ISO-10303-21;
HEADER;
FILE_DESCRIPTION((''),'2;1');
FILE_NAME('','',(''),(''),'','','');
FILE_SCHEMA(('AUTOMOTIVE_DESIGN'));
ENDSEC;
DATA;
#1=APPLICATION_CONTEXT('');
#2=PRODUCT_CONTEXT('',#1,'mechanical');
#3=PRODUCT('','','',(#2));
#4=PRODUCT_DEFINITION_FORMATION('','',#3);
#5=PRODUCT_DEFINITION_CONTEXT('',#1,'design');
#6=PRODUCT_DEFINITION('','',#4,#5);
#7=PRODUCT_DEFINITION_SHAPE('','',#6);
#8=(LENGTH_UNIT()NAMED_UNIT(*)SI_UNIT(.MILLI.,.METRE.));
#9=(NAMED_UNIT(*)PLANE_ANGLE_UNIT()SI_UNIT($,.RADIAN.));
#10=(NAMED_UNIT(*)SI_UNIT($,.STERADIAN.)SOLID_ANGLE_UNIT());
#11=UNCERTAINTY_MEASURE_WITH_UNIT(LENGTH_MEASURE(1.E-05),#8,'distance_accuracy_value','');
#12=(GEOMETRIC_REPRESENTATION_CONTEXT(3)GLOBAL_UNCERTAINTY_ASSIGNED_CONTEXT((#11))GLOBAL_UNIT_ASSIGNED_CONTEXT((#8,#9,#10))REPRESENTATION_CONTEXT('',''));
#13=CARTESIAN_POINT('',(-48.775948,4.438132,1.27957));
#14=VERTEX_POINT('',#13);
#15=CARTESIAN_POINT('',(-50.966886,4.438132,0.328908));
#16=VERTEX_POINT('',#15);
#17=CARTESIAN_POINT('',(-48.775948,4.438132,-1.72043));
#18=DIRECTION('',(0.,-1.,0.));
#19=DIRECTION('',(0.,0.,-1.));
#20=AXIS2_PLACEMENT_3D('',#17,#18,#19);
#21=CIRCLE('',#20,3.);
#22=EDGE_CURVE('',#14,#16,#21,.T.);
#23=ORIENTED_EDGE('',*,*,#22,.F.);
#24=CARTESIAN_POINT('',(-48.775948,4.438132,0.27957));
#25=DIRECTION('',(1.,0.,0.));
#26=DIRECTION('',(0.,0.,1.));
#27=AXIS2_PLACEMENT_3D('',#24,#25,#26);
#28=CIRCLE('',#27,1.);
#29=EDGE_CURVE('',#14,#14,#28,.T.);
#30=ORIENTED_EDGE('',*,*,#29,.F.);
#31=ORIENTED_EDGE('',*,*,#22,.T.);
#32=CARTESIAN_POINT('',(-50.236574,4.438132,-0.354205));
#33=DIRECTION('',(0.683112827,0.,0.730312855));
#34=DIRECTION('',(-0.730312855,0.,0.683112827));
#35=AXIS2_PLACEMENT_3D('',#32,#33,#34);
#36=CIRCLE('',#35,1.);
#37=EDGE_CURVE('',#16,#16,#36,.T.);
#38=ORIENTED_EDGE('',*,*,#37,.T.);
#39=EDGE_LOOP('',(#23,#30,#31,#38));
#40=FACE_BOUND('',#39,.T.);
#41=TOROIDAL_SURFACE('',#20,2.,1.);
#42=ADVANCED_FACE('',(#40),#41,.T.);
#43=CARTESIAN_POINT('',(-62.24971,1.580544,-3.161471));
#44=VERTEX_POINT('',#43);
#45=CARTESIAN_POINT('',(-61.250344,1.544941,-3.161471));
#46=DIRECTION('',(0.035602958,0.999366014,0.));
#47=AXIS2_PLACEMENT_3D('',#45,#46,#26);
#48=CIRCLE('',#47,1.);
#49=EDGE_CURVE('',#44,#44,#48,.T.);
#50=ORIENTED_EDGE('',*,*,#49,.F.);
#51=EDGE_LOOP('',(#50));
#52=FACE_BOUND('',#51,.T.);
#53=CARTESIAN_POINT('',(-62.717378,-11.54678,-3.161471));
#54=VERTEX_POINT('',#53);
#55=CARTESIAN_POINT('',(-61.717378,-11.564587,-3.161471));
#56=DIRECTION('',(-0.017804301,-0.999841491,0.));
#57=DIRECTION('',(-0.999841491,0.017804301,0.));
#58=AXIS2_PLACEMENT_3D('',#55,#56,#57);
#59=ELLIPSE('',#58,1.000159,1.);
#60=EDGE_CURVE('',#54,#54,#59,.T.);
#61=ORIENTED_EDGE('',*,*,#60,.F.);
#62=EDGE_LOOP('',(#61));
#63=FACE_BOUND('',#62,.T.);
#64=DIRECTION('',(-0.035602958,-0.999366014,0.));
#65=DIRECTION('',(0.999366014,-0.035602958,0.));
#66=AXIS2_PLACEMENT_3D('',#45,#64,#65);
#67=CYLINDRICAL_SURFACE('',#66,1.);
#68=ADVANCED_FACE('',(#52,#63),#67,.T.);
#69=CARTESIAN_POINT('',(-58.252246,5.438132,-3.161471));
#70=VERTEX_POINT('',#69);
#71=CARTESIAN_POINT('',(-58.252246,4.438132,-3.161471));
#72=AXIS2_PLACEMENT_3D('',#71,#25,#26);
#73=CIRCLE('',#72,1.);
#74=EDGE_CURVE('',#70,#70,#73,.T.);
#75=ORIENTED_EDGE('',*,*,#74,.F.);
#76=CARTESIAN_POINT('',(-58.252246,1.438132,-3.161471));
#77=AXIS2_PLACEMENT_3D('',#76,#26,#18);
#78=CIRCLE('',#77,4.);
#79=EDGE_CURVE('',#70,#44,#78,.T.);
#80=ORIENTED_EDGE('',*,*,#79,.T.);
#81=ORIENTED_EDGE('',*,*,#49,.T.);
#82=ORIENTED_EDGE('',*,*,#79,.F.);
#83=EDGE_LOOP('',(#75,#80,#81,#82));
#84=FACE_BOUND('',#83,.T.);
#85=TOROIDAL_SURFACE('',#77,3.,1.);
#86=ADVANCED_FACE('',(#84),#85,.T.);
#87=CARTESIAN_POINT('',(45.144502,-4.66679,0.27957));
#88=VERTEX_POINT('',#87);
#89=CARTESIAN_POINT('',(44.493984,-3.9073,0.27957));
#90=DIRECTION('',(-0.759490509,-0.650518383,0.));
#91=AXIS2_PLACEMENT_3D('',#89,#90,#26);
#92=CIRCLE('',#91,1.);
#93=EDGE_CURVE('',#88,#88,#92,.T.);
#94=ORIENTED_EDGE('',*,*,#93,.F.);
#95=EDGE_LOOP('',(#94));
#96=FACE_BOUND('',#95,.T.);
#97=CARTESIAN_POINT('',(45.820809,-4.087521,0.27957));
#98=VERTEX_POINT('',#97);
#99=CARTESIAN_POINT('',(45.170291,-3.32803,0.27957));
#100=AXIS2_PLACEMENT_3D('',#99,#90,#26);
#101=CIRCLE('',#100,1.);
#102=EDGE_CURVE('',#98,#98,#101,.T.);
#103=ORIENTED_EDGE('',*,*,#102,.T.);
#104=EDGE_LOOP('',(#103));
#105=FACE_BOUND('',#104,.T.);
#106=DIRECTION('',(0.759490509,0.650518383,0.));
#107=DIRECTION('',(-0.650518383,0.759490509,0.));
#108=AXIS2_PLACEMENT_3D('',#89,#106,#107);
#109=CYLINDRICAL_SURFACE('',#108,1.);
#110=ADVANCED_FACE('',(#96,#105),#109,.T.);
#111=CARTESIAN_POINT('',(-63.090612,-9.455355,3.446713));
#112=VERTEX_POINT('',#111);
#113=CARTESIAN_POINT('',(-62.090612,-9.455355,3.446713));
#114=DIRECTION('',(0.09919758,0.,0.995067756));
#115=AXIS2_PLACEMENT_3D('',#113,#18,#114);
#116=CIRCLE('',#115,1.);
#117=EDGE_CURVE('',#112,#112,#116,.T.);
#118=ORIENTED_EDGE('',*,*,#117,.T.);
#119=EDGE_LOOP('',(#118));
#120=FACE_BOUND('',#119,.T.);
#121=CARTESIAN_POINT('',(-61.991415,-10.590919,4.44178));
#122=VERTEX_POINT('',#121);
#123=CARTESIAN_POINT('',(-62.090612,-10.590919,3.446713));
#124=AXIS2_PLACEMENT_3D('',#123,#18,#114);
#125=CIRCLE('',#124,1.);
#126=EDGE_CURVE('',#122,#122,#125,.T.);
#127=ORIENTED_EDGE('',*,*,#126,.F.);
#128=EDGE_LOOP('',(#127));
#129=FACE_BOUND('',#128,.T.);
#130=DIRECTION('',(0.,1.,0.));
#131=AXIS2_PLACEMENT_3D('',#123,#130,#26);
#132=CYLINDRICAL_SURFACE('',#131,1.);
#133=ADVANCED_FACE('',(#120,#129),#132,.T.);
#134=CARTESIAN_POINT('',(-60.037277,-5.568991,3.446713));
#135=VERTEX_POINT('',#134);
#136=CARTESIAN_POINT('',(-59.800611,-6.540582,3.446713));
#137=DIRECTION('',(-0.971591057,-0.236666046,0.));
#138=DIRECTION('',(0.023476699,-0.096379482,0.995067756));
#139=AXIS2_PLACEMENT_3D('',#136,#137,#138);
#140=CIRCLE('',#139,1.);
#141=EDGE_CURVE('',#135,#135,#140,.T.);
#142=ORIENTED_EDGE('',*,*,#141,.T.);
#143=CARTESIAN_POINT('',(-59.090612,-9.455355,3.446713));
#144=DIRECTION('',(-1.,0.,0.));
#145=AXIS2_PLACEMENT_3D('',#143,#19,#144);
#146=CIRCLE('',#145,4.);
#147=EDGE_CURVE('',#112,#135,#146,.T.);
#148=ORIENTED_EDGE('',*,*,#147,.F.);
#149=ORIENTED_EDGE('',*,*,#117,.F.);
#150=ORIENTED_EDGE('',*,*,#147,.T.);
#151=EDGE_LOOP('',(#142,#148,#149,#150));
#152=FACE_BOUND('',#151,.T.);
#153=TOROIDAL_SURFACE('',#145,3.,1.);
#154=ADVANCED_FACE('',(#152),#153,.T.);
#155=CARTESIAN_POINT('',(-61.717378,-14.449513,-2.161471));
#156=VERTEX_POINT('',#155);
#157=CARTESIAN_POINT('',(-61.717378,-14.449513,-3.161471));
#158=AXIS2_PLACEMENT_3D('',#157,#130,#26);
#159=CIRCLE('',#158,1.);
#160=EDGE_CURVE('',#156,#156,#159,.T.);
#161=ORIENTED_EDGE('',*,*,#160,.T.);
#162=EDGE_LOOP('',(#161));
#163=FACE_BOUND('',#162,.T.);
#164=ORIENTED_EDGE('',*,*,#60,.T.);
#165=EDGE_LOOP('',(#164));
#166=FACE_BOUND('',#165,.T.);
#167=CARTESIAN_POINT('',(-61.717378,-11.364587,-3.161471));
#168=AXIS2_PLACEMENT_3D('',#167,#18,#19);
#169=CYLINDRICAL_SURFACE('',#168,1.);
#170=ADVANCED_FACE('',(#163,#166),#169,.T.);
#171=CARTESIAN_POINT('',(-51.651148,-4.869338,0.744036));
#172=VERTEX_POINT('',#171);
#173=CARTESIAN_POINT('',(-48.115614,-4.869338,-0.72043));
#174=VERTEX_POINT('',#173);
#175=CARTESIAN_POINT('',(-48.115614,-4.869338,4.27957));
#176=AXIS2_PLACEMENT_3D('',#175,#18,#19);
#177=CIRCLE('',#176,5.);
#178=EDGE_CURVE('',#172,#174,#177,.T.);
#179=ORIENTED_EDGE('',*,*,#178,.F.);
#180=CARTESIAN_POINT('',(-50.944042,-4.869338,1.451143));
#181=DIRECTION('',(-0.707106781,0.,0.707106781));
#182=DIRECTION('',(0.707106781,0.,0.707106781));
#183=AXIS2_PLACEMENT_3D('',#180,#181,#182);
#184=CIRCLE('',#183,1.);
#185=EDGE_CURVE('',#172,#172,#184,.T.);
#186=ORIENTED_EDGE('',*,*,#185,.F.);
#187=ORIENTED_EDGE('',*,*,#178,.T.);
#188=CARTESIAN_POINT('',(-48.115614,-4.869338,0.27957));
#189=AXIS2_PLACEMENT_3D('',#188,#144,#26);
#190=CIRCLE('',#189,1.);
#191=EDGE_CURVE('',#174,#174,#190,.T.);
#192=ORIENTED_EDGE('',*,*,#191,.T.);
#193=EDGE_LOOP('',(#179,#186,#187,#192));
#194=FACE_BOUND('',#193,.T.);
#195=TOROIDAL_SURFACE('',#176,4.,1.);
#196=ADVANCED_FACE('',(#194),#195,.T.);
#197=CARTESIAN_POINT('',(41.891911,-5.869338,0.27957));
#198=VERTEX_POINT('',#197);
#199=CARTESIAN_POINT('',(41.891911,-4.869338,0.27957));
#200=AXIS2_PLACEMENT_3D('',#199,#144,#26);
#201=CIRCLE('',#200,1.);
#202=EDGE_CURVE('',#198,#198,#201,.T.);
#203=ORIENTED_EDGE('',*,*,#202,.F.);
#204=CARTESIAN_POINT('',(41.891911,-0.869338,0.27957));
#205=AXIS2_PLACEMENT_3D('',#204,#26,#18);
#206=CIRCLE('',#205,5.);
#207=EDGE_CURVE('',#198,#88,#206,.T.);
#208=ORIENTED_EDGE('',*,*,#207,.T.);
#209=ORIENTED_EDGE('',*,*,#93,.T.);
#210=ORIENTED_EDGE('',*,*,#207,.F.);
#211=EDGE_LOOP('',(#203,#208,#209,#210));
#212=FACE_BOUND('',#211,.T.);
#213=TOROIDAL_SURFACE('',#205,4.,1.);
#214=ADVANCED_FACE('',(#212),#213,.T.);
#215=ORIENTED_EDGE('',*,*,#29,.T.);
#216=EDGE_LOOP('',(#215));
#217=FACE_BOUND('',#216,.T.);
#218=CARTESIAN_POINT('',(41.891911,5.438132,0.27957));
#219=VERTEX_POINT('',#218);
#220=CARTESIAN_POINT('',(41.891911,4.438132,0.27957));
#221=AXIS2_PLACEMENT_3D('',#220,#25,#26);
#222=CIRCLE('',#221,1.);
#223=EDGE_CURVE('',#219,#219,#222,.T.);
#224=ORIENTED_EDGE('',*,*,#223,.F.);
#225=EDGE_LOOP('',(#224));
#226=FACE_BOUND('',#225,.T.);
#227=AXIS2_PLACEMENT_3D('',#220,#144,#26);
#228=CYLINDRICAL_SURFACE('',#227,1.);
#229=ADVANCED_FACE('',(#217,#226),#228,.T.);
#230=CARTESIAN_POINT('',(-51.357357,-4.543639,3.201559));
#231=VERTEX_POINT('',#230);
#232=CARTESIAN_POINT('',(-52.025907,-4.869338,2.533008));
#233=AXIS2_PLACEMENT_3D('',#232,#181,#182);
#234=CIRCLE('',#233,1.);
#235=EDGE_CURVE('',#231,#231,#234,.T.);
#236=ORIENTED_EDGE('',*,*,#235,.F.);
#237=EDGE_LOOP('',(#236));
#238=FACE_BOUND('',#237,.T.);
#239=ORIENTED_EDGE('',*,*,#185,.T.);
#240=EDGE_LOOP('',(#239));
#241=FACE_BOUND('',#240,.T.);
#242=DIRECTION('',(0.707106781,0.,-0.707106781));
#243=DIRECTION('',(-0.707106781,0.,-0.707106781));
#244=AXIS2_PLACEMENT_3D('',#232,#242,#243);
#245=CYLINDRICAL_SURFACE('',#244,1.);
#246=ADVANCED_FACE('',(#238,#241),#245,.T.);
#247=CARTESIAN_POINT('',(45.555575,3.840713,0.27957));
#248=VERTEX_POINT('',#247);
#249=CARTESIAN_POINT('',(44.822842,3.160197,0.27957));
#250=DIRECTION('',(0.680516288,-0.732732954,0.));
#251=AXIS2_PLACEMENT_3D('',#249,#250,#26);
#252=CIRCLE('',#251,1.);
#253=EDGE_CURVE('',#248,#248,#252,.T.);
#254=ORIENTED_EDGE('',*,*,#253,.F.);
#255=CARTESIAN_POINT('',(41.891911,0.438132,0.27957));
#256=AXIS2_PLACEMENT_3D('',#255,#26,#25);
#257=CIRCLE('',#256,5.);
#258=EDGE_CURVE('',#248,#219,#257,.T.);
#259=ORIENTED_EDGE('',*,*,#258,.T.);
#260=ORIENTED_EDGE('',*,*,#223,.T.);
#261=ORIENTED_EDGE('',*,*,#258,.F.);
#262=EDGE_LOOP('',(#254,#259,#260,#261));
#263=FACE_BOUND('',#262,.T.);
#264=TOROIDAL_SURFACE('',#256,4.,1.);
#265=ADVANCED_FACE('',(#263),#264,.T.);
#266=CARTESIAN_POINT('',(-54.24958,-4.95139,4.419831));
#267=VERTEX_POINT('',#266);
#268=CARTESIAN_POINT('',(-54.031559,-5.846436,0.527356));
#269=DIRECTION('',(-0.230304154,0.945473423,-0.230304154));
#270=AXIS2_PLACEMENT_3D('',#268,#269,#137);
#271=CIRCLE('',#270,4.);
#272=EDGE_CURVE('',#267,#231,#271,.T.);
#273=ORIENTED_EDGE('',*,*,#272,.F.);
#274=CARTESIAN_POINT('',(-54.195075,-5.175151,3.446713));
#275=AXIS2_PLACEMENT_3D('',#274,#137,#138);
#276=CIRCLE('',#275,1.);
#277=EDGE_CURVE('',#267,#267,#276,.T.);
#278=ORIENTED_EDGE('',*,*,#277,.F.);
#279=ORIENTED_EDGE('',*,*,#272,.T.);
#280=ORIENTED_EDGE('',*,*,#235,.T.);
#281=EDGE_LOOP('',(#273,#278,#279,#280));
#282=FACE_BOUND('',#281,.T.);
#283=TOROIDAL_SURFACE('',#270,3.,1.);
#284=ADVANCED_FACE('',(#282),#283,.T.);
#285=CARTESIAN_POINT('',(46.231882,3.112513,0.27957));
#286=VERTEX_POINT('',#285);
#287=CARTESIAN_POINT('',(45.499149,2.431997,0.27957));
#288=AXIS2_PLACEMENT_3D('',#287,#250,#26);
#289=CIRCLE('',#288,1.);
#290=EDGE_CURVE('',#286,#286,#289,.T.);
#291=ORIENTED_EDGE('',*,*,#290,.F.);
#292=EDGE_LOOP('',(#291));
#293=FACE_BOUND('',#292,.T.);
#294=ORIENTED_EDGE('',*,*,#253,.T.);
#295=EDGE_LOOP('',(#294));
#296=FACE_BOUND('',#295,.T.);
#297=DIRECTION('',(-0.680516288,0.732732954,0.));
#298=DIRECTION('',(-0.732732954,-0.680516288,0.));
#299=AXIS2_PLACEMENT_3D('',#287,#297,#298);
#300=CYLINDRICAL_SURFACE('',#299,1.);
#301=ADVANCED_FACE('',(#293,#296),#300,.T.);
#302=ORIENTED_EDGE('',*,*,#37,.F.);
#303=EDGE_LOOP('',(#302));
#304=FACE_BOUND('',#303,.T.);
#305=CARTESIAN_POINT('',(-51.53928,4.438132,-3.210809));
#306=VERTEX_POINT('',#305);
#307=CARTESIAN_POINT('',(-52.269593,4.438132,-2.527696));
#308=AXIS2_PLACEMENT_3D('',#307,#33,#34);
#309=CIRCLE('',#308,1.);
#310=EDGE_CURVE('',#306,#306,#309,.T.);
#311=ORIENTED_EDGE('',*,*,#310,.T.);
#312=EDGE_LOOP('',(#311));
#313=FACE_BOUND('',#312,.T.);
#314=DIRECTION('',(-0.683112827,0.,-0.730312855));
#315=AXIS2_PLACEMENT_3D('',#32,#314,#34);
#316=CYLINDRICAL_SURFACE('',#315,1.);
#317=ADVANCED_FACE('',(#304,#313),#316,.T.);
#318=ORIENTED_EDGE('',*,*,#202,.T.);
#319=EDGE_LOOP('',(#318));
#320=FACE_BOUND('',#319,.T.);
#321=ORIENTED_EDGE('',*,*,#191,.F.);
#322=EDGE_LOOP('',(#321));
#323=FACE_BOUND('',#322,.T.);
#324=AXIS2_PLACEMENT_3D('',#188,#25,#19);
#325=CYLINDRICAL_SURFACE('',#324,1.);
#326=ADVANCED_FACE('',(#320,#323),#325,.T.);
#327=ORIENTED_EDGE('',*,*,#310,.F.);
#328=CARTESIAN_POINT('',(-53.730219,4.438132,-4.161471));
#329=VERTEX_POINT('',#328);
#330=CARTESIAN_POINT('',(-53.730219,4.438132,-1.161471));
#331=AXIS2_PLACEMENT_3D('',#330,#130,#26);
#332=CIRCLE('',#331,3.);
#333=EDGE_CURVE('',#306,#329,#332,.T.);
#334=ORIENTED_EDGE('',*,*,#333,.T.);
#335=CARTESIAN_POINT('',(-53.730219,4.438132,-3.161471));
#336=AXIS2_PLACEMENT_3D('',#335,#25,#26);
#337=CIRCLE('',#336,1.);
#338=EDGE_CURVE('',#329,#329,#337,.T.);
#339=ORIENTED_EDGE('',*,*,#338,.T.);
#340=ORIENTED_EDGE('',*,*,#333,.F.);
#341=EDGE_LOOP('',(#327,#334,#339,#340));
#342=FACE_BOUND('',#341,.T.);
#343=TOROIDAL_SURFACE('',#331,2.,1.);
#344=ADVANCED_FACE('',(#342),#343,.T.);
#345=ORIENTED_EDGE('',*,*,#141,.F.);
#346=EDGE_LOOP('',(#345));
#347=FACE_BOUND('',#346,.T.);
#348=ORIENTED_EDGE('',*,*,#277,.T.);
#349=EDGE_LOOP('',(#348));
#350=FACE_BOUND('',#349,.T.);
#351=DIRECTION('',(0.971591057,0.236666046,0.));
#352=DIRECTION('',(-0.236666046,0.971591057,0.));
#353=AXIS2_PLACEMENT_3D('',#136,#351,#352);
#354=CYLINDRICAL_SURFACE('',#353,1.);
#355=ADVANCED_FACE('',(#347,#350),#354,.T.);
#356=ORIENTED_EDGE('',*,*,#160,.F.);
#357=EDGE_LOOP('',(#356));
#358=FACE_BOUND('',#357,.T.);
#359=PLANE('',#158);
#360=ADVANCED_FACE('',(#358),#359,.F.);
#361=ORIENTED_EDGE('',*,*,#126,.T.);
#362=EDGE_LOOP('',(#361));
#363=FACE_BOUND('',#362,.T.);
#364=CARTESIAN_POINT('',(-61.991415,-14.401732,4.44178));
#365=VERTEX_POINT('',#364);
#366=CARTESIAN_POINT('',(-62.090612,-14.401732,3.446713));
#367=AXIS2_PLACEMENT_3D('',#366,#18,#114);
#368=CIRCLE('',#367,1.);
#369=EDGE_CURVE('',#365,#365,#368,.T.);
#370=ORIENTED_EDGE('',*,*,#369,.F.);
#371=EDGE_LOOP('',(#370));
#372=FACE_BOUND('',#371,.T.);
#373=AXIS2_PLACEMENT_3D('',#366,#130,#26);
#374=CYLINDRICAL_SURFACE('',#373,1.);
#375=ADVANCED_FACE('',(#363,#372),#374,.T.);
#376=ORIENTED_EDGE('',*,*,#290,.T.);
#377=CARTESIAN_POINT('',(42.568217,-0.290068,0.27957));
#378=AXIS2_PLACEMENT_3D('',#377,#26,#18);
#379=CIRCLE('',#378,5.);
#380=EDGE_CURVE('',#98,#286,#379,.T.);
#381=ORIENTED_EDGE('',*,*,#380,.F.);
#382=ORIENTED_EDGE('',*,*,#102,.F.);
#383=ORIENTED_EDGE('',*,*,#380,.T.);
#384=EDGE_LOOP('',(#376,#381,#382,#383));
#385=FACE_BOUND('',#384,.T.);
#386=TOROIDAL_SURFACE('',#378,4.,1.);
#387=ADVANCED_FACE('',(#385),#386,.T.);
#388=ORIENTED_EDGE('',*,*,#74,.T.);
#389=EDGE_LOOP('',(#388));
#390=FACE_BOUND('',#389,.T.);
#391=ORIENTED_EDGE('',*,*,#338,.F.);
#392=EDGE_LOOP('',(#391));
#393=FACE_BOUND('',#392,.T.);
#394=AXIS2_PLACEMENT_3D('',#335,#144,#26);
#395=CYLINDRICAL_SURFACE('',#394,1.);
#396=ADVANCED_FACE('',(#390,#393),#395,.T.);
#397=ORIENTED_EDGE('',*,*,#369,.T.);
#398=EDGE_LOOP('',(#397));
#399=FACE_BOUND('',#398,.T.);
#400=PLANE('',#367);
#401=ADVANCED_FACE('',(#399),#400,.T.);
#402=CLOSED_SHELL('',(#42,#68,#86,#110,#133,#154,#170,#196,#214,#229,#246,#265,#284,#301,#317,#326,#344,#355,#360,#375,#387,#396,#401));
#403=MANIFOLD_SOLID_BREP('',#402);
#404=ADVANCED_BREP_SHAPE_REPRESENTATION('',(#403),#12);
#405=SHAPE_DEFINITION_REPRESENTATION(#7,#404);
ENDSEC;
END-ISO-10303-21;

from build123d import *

# Parameters (mm, degrees)
SWEEP1_PROFILE_R = 1


with BuildPart() as part:
    # Sweep1: sweep along a curve in space
    with BuildLine() as sweep1_path:
        Line((-62.090612365, -10.590919014, 3.446712504), (-62.090612365, -14.401731911, 3.446712504))
        Line((-62.090612365, -9.4553548, 3.446712504), (-62.090612365, -10.590919014, 3.446712504))
        ThreePointArc((-62.090612365, -9.4553548, 3.446712504), (-61.449636995, -7.601978747, 3.446712504), (-59.800610502, -6.540581628, 3.446712504))
        Line((-54.195074798, -5.175151224, 3.446712504), (-59.800610502, -6.540581628, 3.446712504))
        ThreePointArc((-52.025907271, -4.86933782, 2.533008422), (-53.028684132, -4.949042, 3.208573711), (-54.195074798, -5.175151224, 3.446712504))
        Line((-52.025907271, -4.86933782, 2.533008422), (-50.944041501, -4.86933782, 1.451142652))
        ThreePointArc((-50.944041501, -4.86933782, 1.451142652), (-49.646348105, -4.86933782, 0.584051647), (-48.115614376, -4.86933782, 0.279569777))
        Line((-48.115614376, -4.86933782, 0.279569777), (41.891910563, -4.86933782, 0.279569777))
        ThreePointArc((41.891910563, -4.86933782, 0.279569777), (43.279021203, -4.621127269, 0.279569777), (44.493984095, -3.907299856, 0.279569777))
        Line((44.493984095, -3.907299856, 0.279569777), (45.170290578, -3.328030209, 0.279569777))
        ThreePointArc((45.170290578, -3.328030209, 0.279569777), (46.561713678, -0.518069604, 0.279569777), (45.49914886, 2.431996981, 0.279569777))
        Line((45.49914886, 2.431996981, 0.279569777), (44.822842377, 3.160197107, 0.279569777))
        ThreePointArc((41.891910563, 4.438131953, 0.279569777), (43.490619321, 4.104755782, 0.279569777), (44.822842377, 3.160197107, 0.279569777))
        Line((41.891910563, 4.438131953, 0.279569777), (-48.775947923, 4.438131953, 0.279569777))
        ThreePointArc((-48.775947923, 4.438131953, 0.279569777), (-49.572047381, 4.438131953, 0.114297455), (-50.236573634, 4.438131953, -0.35420457))
        Line((-50.236573634, 4.438131953, -0.35420457), (-52.269592885, 4.438131953, -2.527696321))
        ThreePointArc((-53.730218595, 4.438131953, -3.161470668), (-52.934119137, 4.438131953, -2.996198346), (-52.269592885, 4.438131953, -2.527696321))
        Line((-53.730218595, 4.438131953, -3.161470668), (-58.252246271, 4.438131953, -3.161470668))
        ThreePointArc((-61.250344312, 1.544940827, -3.161470668), (-60.33546174, 3.596884674, -3.161470668), (-58.252246271, 4.438131953, -3.161470668))
        Line((-61.250344312, 1.544940827, -3.161470668), (-61.717378375, -11.56458697, -3.161470668))
        Line((-61.717378375, -11.56458697, -3.161470668), (-61.717378375, -14.449513465, -3.161470668))
    # Sweep1 profile (on start of the path) → Sweep1 (sweep)
    with BuildSketch(Plane(origin=(-61.717378375, -14.449513465, -3.161470668), x_dir=(0, 0, 1), z_dir=(0, 1, 0))):
        Circle(SWEEP1_PROFILE_R)
    sweep(path=sweep1_path.line, transition=Transition.RIGHT)


solid = part.part
